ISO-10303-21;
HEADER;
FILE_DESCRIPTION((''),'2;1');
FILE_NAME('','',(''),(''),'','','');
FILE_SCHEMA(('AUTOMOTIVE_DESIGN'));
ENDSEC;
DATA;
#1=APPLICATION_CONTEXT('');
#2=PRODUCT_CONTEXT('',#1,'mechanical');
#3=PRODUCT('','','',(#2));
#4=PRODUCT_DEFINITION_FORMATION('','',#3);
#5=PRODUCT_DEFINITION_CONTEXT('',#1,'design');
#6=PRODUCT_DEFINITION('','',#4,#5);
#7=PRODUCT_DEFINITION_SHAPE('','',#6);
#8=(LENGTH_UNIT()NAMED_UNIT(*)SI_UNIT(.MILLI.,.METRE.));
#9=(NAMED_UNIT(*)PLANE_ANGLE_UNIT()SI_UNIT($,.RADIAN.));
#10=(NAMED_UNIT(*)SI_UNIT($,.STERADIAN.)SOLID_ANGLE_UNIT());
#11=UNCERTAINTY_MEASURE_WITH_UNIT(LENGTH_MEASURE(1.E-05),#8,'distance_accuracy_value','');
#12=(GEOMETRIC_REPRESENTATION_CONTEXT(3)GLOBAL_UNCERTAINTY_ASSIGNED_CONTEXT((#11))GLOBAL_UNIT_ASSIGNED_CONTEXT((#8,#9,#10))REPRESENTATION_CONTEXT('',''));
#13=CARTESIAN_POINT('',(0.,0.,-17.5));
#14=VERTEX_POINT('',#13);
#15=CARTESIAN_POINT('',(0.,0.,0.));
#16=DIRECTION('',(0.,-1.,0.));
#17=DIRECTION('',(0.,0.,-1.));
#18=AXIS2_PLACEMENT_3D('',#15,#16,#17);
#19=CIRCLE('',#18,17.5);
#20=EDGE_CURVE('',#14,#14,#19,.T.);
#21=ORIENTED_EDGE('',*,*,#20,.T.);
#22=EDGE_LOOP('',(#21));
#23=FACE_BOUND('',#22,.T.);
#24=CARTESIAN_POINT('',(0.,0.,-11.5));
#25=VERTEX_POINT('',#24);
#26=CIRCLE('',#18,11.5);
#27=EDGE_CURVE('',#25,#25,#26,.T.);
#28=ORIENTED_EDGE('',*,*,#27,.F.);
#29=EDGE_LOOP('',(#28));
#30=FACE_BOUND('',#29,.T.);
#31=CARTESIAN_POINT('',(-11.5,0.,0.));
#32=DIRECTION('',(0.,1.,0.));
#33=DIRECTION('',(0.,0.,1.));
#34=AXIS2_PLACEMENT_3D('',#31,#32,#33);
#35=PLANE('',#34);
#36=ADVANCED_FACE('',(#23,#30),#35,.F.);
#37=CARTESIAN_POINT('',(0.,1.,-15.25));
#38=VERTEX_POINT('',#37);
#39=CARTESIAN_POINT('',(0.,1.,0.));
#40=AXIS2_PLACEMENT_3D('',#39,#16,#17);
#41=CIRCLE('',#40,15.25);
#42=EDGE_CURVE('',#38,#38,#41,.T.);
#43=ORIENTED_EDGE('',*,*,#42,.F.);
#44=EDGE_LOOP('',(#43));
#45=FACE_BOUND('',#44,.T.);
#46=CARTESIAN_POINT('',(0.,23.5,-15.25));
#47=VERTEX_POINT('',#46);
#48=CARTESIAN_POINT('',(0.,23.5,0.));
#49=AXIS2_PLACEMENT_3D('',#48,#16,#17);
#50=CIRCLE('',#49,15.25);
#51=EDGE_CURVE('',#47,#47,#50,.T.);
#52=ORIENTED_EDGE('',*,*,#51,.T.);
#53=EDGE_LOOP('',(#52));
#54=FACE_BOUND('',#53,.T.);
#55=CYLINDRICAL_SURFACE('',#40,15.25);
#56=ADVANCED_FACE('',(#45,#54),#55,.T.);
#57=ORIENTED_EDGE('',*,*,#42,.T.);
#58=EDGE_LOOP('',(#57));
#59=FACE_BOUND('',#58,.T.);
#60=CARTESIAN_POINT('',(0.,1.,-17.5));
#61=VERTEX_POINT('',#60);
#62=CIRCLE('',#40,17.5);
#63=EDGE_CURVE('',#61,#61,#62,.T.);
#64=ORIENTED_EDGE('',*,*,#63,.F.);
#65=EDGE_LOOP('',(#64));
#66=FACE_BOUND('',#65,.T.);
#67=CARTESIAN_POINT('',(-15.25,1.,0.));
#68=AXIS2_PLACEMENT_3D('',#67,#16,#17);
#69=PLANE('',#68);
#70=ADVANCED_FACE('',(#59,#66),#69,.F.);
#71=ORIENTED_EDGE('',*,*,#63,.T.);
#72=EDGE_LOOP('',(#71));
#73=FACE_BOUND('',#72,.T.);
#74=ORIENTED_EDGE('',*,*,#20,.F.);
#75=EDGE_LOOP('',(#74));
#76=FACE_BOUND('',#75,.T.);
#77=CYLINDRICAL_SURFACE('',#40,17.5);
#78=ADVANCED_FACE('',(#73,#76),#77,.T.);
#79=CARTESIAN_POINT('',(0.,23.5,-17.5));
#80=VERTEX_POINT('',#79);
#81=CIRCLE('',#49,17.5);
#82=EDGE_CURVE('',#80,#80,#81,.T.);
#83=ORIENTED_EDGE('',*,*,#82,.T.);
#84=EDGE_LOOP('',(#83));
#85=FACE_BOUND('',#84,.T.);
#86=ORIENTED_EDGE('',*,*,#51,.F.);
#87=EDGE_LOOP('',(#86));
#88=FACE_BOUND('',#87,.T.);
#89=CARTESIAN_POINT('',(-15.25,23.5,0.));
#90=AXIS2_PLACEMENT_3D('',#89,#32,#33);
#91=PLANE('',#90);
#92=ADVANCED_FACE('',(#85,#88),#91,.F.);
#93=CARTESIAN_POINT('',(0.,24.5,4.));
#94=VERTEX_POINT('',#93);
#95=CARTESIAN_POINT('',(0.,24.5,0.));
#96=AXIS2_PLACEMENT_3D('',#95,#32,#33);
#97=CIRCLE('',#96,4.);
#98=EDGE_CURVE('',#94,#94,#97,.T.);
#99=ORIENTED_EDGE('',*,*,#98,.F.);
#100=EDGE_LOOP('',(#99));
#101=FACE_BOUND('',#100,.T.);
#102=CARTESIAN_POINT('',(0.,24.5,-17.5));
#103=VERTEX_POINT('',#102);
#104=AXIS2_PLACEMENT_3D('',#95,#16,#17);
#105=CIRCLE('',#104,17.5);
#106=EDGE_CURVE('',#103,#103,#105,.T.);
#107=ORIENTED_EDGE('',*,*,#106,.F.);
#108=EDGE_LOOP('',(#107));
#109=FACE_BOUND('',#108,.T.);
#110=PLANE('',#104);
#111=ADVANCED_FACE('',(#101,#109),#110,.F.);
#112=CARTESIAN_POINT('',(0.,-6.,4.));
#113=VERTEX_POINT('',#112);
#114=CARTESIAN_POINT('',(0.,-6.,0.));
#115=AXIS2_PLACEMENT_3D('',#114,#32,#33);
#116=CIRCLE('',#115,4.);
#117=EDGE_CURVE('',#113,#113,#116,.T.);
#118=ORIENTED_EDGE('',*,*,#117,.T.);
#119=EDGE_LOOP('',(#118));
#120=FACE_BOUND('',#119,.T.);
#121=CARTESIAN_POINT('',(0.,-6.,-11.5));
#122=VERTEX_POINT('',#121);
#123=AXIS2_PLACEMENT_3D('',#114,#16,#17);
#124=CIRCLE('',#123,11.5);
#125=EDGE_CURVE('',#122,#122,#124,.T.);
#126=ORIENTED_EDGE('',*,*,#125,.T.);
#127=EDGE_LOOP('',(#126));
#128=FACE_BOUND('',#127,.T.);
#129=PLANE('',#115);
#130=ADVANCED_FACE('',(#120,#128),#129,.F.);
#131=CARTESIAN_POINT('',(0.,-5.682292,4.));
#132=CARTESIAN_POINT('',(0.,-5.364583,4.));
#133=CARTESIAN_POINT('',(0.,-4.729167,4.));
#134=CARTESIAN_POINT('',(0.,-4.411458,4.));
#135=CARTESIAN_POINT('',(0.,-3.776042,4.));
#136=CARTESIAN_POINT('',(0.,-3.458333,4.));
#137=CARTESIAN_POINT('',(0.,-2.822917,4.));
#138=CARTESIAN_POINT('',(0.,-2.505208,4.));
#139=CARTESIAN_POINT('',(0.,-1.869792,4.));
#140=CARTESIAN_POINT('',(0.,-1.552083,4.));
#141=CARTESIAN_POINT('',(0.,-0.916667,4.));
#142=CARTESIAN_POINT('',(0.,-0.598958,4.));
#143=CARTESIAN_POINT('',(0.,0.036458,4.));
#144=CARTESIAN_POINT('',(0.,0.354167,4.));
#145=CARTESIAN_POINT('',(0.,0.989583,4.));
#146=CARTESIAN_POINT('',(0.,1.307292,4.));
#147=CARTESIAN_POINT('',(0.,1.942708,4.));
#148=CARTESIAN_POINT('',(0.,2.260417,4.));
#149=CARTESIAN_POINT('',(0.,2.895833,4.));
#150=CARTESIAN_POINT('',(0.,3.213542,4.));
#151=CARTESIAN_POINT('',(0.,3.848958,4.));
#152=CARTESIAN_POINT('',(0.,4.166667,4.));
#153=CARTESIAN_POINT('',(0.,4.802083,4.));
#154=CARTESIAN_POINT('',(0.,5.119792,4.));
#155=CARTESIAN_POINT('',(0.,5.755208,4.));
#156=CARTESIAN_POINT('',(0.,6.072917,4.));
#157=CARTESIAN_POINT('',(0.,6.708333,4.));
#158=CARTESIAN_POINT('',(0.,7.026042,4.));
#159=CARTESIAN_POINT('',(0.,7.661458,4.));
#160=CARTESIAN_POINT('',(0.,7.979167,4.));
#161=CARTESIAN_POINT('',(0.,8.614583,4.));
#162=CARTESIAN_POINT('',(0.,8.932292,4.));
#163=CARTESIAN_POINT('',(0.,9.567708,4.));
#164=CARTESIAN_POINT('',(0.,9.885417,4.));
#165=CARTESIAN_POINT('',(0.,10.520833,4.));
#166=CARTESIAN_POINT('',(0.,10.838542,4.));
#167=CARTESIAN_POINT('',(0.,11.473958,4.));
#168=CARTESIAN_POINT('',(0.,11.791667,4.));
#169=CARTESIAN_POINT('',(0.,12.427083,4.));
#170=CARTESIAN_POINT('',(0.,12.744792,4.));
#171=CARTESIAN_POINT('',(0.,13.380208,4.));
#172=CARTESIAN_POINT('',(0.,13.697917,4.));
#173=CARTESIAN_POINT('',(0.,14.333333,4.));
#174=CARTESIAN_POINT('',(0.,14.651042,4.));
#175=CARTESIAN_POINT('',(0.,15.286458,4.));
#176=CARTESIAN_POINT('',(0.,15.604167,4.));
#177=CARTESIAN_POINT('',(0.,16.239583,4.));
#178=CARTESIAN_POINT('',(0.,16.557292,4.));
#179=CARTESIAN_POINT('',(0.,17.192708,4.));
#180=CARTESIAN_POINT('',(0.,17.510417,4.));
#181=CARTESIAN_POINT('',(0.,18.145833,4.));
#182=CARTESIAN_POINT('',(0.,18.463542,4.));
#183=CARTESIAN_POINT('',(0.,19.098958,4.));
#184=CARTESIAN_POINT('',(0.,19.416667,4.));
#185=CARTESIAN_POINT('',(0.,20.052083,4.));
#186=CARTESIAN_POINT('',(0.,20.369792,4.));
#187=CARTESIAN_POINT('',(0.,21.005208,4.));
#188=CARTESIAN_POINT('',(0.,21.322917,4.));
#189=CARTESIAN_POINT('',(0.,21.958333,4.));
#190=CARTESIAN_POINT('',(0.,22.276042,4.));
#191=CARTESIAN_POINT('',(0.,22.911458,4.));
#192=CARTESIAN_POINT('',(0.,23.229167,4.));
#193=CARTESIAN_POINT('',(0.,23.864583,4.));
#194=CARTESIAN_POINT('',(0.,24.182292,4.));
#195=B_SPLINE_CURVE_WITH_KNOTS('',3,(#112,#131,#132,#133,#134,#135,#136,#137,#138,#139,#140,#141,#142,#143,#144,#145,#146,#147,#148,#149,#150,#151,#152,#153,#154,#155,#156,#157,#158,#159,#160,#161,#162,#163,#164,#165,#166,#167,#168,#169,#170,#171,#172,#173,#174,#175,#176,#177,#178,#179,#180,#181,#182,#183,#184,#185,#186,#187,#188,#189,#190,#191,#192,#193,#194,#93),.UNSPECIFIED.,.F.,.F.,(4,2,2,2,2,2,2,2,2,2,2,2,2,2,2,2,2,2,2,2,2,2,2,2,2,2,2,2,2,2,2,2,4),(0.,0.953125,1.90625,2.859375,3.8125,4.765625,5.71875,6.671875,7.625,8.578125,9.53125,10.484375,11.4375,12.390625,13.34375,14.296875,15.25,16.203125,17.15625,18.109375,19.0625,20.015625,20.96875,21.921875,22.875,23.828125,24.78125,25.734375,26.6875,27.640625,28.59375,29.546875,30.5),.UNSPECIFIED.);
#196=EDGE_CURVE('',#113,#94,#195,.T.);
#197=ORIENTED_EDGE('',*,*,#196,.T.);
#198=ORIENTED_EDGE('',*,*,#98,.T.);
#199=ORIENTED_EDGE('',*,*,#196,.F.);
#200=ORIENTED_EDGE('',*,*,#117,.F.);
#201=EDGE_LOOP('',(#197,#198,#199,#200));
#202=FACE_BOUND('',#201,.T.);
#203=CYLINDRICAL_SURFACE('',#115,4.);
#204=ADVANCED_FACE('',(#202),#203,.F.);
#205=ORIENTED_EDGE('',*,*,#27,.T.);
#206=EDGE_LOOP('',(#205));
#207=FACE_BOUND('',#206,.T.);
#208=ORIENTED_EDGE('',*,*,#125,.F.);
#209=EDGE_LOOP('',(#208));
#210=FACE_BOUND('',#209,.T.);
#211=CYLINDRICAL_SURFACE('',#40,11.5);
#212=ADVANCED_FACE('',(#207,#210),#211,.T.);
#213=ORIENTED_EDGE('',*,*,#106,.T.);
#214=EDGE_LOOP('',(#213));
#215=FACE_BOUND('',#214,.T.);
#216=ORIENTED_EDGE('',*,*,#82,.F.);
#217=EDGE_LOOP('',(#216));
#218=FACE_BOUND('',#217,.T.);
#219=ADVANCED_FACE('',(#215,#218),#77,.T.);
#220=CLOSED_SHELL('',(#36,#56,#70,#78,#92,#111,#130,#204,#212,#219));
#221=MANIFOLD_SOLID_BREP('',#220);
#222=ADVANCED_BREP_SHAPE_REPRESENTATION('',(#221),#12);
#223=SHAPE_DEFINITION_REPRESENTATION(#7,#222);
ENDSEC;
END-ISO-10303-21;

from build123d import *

# Parameters (mm, degrees)
SKETCH3_R          = 4
CUT_EXTRUDE1_DEPTH = 30.5


with BuildPart() as part:
    # Sketch2 → Revolve1 (revolve)
    with BuildSketch(Plane.XY, mode=Mode.PRIVATE) as revolve1_sk:
        Polygon((0, 0), (0, -6), (-11.5, -6), (-11.5, 0), (-17.5, 0), (-17.5, 1), (-15.25, 1), (-15.25, 23.5), (-17.5, 23.5), (-17.5, 24.5), (0, 24.5), (0, 23.5), (0, 1), align=None)
    revolve(revolve1_sk.sketch.rotate(Axis((0, 1, 0), (0, 1, 0)), 270), axis=Axis((0, 1, 0), (0, 1, 0)))

    # Sketch3 → Cut-Extrude1 (cut)
    with BuildSketch(Plane(origin=(0, 24.5, 0), x_dir=(1, 0, 0), z_dir=(0, 1, 0))):
        with Locations(Location((0, 0, 0), (0, 0, 270))):
            Circle(SKETCH3_R)
    extrude(amount=-CUT_EXTRUDE1_DEPTH, mode=Mode.SUBTRACT)


solid = part.part
